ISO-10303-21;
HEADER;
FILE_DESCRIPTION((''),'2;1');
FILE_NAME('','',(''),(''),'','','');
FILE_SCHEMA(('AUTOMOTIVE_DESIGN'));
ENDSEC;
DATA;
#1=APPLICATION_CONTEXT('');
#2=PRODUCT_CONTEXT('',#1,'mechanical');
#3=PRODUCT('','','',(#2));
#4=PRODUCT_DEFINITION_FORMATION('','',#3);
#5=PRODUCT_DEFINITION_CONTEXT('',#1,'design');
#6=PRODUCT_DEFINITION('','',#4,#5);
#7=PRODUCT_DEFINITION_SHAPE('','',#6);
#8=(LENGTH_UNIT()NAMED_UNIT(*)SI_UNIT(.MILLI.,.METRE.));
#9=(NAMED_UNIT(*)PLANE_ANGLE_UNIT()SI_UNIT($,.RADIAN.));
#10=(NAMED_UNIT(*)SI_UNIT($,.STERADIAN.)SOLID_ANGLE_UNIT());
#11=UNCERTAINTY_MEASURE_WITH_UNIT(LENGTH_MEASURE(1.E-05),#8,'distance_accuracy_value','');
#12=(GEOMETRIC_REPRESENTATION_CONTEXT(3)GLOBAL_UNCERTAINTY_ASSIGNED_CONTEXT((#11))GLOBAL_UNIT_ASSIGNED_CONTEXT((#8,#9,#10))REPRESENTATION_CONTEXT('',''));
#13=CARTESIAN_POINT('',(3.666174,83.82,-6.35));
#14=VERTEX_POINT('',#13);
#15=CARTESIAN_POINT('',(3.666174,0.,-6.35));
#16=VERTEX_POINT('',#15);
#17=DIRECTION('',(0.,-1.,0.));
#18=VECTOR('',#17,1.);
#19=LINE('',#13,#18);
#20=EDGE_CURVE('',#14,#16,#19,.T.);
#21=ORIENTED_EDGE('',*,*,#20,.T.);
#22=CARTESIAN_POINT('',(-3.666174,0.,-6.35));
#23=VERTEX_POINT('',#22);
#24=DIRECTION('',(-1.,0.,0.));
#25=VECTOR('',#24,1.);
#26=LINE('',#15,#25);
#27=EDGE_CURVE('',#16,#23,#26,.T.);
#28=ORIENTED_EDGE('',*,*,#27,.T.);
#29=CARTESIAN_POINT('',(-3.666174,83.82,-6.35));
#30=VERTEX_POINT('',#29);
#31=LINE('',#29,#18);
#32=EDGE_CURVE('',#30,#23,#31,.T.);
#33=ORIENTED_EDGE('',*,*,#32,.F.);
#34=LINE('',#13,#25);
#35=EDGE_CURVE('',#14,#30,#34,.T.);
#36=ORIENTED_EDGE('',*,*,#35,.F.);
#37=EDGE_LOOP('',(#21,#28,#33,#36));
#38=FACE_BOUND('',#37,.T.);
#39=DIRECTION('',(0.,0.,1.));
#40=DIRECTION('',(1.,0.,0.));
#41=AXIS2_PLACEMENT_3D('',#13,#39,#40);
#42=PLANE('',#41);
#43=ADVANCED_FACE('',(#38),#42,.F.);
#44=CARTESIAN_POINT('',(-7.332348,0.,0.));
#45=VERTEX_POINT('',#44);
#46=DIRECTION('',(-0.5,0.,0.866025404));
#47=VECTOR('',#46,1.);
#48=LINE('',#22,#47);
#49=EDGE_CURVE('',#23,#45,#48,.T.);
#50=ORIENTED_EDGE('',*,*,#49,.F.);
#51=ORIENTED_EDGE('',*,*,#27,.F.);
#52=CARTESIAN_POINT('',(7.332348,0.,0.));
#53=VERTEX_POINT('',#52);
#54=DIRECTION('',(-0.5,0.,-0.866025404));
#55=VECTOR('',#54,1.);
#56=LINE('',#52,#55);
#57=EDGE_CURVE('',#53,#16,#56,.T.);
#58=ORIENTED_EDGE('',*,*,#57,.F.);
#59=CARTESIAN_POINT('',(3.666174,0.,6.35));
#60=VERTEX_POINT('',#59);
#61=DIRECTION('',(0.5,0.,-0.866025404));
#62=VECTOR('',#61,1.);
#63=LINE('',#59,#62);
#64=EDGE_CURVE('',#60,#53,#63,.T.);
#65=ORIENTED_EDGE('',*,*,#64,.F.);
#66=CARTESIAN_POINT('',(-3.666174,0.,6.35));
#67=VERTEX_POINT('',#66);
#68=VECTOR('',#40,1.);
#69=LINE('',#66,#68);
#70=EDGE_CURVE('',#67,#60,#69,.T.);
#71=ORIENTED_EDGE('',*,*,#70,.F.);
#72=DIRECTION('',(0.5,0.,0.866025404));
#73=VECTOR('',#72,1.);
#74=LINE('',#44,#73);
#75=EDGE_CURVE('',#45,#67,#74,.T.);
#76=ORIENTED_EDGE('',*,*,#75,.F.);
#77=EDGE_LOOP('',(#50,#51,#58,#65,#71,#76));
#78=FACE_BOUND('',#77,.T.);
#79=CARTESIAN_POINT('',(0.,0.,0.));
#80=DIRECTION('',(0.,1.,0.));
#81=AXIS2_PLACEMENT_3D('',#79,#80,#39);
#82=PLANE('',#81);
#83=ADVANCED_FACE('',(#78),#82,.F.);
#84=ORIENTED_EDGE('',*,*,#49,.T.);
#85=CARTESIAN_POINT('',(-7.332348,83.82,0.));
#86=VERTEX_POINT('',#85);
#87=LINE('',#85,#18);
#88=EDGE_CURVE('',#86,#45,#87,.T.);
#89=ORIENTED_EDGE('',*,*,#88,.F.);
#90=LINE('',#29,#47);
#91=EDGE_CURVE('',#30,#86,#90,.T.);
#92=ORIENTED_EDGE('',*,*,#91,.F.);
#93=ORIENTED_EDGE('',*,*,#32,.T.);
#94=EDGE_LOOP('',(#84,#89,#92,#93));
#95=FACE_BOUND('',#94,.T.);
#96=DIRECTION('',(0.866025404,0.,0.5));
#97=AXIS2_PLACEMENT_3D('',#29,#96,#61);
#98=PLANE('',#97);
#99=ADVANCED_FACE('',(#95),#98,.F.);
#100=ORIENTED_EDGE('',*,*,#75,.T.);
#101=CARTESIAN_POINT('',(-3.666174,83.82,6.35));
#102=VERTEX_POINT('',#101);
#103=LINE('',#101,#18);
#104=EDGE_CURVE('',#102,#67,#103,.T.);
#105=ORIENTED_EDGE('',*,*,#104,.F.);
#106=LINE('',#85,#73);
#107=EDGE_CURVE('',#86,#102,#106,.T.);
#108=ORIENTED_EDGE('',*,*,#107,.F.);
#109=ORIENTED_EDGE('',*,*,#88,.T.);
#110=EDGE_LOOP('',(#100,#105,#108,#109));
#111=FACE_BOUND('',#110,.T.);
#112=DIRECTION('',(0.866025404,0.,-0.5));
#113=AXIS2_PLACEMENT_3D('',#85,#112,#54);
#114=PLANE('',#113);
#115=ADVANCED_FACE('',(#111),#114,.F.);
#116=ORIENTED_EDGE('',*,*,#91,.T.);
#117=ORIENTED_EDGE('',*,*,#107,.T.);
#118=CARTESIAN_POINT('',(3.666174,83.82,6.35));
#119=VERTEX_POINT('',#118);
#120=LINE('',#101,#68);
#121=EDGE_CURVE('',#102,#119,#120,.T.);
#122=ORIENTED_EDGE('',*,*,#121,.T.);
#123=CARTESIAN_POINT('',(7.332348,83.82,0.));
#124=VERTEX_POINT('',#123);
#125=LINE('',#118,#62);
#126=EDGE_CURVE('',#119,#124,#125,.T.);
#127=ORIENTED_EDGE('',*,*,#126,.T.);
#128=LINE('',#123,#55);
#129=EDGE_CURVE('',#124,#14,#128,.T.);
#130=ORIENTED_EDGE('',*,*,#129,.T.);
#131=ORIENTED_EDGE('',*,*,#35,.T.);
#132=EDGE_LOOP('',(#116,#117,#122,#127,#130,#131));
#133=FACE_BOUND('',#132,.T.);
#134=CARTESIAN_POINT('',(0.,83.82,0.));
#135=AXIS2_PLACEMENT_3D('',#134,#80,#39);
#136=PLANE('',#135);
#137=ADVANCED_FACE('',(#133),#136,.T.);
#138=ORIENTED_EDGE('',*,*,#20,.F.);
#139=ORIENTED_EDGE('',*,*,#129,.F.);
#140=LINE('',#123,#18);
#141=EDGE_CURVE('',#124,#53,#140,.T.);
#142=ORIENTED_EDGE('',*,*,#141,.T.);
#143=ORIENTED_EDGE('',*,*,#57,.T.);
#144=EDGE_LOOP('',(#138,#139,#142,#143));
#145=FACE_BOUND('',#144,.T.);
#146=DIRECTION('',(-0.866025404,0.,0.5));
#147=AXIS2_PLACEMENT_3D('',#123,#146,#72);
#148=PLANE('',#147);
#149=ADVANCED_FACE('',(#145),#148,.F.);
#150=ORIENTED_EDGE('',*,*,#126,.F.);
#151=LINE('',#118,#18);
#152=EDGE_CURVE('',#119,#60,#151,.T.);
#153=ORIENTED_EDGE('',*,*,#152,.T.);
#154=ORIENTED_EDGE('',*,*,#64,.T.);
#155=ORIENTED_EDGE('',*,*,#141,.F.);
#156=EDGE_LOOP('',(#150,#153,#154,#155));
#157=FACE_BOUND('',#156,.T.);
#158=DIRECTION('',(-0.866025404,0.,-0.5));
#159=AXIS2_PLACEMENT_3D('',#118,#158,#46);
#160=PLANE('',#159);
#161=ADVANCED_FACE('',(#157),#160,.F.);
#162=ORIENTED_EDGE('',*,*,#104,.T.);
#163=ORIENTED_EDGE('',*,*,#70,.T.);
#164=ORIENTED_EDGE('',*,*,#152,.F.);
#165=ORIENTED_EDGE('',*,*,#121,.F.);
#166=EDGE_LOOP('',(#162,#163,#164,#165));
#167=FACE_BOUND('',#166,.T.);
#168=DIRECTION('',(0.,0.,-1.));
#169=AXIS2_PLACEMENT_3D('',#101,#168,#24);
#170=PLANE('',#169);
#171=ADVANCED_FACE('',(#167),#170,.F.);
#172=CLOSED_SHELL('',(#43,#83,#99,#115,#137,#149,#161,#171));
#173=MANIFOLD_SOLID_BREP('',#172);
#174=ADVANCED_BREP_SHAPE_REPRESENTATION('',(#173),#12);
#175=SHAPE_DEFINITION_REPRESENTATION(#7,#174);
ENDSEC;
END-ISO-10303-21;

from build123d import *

# Parameters (mm, degrees)
BOSS_EXTRUDE1_DEPTH = 83.82


with BuildPart() as part:
    # Sketch1 → Boss-Extrude1 (new body)
    with BuildSketch(Plane(origin=(0, 0, 0), x_dir=(1, 0, 0), z_dir=(0, 1, 0))):
        Polygon((3.666174209, 6.35), (-3.666174209, 6.35), (-7.332348419, 0), (-3.666174209, -6.35), (3.666174209, -6.35), (7.332348419, 0), align=None)
    extrude(amount=BOSS_EXTRUDE1_DEPTH)


solid = part.part
